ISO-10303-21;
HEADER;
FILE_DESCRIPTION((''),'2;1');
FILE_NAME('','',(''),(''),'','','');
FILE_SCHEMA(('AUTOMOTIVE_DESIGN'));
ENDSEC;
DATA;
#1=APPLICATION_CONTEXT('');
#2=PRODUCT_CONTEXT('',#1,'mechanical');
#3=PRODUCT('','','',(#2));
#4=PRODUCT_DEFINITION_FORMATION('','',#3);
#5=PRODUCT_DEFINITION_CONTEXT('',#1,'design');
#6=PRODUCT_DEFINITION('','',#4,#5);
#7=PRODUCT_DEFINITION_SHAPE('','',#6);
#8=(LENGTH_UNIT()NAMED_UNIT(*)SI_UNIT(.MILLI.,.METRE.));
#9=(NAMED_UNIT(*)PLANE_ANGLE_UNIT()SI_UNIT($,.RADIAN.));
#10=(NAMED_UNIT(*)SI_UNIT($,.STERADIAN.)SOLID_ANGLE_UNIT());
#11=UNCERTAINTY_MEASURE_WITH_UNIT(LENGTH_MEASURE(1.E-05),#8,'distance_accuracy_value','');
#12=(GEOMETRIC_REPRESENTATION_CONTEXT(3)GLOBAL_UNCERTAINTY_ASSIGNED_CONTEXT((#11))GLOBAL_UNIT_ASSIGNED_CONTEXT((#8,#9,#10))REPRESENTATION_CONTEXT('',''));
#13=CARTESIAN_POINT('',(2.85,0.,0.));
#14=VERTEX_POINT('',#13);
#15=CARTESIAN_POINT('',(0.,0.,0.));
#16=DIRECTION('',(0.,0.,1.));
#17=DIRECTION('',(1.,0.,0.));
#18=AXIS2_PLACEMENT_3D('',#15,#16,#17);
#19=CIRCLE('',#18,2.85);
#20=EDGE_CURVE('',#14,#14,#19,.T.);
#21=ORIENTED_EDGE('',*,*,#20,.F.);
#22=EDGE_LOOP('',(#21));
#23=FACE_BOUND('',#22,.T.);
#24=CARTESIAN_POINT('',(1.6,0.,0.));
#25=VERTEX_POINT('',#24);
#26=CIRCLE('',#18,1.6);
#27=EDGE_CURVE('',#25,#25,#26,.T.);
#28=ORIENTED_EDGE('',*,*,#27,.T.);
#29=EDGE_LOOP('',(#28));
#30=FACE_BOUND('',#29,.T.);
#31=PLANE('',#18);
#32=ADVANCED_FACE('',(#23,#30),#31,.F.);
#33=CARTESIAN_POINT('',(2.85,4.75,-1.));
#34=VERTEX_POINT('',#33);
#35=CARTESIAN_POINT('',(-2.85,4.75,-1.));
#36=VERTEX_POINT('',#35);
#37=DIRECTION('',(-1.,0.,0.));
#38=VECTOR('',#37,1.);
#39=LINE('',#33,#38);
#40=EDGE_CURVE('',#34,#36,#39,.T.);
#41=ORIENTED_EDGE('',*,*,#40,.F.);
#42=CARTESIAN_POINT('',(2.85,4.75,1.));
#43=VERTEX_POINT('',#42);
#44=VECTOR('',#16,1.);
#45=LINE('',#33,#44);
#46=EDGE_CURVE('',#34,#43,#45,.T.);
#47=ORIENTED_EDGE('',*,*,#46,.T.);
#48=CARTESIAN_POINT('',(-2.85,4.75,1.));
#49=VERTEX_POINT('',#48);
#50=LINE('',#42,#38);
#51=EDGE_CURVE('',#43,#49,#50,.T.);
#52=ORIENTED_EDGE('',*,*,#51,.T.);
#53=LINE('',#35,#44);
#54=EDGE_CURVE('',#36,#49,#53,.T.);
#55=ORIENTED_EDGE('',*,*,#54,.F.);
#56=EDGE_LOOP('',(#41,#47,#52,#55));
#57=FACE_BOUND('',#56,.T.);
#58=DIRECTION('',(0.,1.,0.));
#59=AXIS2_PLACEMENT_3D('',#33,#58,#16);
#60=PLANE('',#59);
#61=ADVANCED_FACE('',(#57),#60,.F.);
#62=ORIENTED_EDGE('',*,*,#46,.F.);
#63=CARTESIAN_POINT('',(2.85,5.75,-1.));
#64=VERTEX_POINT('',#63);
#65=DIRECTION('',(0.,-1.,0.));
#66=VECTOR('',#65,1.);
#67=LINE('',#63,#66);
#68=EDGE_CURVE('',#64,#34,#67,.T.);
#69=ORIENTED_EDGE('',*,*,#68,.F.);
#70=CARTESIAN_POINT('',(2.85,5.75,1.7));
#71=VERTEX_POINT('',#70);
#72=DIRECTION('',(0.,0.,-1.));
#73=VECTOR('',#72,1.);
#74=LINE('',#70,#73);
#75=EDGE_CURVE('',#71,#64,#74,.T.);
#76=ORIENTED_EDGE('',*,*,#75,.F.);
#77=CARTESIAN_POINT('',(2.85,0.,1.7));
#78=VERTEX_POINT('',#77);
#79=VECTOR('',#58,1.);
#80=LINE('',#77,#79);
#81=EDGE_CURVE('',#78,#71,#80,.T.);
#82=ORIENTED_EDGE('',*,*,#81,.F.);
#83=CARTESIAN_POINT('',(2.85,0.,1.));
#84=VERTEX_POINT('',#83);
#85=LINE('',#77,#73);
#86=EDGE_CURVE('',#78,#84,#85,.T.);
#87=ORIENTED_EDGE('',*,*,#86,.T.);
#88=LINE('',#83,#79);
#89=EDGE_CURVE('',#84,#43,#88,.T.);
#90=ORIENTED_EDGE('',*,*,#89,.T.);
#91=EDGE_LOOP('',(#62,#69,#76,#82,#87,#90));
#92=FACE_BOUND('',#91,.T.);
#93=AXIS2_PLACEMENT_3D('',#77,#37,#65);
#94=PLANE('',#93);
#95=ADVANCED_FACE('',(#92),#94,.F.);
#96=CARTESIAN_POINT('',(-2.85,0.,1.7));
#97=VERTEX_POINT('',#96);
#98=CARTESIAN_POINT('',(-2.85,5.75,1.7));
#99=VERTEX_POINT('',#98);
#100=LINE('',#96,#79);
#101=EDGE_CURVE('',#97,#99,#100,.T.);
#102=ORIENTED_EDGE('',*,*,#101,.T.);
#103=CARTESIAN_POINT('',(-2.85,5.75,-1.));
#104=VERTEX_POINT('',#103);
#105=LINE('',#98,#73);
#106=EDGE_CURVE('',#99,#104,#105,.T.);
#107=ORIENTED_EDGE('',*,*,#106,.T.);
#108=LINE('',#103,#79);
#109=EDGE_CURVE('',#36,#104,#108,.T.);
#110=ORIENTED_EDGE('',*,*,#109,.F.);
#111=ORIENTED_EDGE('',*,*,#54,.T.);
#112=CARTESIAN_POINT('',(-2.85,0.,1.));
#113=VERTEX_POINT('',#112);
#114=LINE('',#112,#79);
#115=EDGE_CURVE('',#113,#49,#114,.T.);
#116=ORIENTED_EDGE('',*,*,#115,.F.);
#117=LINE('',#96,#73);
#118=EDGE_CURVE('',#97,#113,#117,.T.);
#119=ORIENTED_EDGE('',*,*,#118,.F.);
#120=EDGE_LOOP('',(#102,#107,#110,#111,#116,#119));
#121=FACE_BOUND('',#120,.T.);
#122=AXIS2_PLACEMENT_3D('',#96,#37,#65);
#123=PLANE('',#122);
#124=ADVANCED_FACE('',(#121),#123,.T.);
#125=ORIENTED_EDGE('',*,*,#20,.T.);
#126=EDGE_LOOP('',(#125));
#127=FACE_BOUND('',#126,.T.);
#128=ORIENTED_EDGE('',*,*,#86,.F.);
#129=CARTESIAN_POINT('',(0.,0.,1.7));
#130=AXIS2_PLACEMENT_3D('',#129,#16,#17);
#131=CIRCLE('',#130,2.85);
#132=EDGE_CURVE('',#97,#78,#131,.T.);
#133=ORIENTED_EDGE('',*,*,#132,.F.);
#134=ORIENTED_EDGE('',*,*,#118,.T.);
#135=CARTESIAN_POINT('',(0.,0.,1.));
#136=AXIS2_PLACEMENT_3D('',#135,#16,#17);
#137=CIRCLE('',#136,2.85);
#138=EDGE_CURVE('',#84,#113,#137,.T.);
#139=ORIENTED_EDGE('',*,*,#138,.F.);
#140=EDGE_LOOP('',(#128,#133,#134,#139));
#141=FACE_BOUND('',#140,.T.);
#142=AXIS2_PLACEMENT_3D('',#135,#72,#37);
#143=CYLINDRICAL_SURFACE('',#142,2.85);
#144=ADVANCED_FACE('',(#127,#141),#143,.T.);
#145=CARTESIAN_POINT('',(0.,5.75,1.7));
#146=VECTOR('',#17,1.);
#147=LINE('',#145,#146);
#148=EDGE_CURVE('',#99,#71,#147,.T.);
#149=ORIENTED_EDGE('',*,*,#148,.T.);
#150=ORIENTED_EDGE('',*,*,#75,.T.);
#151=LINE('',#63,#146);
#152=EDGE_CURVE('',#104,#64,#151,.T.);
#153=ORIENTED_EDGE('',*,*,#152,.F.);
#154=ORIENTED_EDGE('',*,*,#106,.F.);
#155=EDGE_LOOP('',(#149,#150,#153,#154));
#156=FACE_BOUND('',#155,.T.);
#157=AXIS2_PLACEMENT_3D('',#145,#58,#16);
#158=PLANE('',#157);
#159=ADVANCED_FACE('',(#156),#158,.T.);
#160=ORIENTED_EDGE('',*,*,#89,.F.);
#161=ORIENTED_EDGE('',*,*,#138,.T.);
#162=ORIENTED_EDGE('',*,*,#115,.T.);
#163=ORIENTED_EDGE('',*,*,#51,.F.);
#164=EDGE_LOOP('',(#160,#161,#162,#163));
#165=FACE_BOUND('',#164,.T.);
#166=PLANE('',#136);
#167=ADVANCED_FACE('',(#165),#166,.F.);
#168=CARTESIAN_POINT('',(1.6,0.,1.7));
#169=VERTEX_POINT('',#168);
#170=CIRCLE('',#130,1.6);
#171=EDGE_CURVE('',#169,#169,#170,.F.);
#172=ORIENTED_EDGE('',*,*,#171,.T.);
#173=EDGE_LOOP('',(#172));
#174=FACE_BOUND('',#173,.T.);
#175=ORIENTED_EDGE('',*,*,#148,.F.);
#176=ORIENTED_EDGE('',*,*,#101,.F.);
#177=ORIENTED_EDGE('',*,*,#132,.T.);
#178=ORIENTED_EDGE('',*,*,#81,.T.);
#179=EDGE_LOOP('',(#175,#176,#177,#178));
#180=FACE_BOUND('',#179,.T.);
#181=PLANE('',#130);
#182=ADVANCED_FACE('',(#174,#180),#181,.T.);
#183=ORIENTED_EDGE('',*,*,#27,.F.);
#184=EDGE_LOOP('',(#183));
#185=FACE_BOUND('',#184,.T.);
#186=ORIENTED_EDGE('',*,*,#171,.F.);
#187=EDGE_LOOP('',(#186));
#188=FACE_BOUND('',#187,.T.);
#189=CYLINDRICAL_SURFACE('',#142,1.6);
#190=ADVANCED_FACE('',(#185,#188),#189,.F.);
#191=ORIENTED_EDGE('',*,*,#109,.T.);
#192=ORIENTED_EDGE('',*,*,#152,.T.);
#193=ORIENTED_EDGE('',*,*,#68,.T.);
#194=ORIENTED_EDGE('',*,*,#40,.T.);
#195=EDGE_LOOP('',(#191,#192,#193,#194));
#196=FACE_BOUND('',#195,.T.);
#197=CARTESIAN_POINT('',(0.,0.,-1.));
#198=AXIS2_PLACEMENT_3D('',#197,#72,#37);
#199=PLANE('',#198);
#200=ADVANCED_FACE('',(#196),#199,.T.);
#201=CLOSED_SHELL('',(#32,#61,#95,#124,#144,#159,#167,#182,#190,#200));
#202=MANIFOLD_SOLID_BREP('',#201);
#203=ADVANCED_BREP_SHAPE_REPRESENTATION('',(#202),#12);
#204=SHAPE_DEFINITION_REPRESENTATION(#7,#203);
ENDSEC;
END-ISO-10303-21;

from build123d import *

# Parameters (mm, degrees)
SZKIC1_R                    = 2.85
SZKIC1_R_2                  = 1.6
DODANIE_WYCI_GNI_CIE1_DEPTH = 1
DODANIE_WYCI_GNI_CIE2_DEPTH = 0.7
SZKIC3_W                    = 5.7
SZKIC3_H                    = 1
DODANIE_WYCI_GNI_CIE3_DEPTH = 2


with BuildPart() as part:
    # Szkic1 → Dodanie-wyciągnięcie1 (new body)
    with BuildSketch(Plane.XY):
        Circle(SZKIC1_R)
        Circle(SZKIC1_R_2, mode=Mode.SUBTRACT)
    extrude(amount=DODANIE_WYCI_GNI_CIE1_DEPTH)

    # Szkic2 → Dodanie-wyciągnięcie2 (add)
    with BuildSketch(Plane.XY.offset(1)):
        with BuildLine():
            Line((2.85, 5.75), (0, 5.75))
            Line((0, 5.75), (-2.85, 5.75))
            Line((-2.85, 5.75), (-2.85, 0))
            ThreePointArc((-2.85, 0), (0, -2.85), (2.85, 0))
            Line((2.85, 0), (2.85, 5.75))
        make_face()
        with BuildLine():
            ThreePointArc((1.6, 0), (-1.13137085, -1.13137085), (0, 1.6))
            ThreePointArc((0, 1.6), (1.13137085, 1.13137085), (1.6, 0))
        make_face(mode=Mode.SUBTRACT)
    extrude(amount=DODANIE_WYCI_GNI_CIE2_DEPTH)

    # Szkic3 → Dodanie-wyciągnięcie3 (add)
    with BuildSketch(Plane(origin=(0, 0, 1), x_dir=(-1, 0, 0), z_dir=(0, 0, -1))):
        with Locations((0, 5.25)):
            Rectangle(SZKIC3_W, SZKIC3_H)
    extrude(amount=DODANIE_WYCI_GNI_CIE3_DEPTH)


solid = part.part
